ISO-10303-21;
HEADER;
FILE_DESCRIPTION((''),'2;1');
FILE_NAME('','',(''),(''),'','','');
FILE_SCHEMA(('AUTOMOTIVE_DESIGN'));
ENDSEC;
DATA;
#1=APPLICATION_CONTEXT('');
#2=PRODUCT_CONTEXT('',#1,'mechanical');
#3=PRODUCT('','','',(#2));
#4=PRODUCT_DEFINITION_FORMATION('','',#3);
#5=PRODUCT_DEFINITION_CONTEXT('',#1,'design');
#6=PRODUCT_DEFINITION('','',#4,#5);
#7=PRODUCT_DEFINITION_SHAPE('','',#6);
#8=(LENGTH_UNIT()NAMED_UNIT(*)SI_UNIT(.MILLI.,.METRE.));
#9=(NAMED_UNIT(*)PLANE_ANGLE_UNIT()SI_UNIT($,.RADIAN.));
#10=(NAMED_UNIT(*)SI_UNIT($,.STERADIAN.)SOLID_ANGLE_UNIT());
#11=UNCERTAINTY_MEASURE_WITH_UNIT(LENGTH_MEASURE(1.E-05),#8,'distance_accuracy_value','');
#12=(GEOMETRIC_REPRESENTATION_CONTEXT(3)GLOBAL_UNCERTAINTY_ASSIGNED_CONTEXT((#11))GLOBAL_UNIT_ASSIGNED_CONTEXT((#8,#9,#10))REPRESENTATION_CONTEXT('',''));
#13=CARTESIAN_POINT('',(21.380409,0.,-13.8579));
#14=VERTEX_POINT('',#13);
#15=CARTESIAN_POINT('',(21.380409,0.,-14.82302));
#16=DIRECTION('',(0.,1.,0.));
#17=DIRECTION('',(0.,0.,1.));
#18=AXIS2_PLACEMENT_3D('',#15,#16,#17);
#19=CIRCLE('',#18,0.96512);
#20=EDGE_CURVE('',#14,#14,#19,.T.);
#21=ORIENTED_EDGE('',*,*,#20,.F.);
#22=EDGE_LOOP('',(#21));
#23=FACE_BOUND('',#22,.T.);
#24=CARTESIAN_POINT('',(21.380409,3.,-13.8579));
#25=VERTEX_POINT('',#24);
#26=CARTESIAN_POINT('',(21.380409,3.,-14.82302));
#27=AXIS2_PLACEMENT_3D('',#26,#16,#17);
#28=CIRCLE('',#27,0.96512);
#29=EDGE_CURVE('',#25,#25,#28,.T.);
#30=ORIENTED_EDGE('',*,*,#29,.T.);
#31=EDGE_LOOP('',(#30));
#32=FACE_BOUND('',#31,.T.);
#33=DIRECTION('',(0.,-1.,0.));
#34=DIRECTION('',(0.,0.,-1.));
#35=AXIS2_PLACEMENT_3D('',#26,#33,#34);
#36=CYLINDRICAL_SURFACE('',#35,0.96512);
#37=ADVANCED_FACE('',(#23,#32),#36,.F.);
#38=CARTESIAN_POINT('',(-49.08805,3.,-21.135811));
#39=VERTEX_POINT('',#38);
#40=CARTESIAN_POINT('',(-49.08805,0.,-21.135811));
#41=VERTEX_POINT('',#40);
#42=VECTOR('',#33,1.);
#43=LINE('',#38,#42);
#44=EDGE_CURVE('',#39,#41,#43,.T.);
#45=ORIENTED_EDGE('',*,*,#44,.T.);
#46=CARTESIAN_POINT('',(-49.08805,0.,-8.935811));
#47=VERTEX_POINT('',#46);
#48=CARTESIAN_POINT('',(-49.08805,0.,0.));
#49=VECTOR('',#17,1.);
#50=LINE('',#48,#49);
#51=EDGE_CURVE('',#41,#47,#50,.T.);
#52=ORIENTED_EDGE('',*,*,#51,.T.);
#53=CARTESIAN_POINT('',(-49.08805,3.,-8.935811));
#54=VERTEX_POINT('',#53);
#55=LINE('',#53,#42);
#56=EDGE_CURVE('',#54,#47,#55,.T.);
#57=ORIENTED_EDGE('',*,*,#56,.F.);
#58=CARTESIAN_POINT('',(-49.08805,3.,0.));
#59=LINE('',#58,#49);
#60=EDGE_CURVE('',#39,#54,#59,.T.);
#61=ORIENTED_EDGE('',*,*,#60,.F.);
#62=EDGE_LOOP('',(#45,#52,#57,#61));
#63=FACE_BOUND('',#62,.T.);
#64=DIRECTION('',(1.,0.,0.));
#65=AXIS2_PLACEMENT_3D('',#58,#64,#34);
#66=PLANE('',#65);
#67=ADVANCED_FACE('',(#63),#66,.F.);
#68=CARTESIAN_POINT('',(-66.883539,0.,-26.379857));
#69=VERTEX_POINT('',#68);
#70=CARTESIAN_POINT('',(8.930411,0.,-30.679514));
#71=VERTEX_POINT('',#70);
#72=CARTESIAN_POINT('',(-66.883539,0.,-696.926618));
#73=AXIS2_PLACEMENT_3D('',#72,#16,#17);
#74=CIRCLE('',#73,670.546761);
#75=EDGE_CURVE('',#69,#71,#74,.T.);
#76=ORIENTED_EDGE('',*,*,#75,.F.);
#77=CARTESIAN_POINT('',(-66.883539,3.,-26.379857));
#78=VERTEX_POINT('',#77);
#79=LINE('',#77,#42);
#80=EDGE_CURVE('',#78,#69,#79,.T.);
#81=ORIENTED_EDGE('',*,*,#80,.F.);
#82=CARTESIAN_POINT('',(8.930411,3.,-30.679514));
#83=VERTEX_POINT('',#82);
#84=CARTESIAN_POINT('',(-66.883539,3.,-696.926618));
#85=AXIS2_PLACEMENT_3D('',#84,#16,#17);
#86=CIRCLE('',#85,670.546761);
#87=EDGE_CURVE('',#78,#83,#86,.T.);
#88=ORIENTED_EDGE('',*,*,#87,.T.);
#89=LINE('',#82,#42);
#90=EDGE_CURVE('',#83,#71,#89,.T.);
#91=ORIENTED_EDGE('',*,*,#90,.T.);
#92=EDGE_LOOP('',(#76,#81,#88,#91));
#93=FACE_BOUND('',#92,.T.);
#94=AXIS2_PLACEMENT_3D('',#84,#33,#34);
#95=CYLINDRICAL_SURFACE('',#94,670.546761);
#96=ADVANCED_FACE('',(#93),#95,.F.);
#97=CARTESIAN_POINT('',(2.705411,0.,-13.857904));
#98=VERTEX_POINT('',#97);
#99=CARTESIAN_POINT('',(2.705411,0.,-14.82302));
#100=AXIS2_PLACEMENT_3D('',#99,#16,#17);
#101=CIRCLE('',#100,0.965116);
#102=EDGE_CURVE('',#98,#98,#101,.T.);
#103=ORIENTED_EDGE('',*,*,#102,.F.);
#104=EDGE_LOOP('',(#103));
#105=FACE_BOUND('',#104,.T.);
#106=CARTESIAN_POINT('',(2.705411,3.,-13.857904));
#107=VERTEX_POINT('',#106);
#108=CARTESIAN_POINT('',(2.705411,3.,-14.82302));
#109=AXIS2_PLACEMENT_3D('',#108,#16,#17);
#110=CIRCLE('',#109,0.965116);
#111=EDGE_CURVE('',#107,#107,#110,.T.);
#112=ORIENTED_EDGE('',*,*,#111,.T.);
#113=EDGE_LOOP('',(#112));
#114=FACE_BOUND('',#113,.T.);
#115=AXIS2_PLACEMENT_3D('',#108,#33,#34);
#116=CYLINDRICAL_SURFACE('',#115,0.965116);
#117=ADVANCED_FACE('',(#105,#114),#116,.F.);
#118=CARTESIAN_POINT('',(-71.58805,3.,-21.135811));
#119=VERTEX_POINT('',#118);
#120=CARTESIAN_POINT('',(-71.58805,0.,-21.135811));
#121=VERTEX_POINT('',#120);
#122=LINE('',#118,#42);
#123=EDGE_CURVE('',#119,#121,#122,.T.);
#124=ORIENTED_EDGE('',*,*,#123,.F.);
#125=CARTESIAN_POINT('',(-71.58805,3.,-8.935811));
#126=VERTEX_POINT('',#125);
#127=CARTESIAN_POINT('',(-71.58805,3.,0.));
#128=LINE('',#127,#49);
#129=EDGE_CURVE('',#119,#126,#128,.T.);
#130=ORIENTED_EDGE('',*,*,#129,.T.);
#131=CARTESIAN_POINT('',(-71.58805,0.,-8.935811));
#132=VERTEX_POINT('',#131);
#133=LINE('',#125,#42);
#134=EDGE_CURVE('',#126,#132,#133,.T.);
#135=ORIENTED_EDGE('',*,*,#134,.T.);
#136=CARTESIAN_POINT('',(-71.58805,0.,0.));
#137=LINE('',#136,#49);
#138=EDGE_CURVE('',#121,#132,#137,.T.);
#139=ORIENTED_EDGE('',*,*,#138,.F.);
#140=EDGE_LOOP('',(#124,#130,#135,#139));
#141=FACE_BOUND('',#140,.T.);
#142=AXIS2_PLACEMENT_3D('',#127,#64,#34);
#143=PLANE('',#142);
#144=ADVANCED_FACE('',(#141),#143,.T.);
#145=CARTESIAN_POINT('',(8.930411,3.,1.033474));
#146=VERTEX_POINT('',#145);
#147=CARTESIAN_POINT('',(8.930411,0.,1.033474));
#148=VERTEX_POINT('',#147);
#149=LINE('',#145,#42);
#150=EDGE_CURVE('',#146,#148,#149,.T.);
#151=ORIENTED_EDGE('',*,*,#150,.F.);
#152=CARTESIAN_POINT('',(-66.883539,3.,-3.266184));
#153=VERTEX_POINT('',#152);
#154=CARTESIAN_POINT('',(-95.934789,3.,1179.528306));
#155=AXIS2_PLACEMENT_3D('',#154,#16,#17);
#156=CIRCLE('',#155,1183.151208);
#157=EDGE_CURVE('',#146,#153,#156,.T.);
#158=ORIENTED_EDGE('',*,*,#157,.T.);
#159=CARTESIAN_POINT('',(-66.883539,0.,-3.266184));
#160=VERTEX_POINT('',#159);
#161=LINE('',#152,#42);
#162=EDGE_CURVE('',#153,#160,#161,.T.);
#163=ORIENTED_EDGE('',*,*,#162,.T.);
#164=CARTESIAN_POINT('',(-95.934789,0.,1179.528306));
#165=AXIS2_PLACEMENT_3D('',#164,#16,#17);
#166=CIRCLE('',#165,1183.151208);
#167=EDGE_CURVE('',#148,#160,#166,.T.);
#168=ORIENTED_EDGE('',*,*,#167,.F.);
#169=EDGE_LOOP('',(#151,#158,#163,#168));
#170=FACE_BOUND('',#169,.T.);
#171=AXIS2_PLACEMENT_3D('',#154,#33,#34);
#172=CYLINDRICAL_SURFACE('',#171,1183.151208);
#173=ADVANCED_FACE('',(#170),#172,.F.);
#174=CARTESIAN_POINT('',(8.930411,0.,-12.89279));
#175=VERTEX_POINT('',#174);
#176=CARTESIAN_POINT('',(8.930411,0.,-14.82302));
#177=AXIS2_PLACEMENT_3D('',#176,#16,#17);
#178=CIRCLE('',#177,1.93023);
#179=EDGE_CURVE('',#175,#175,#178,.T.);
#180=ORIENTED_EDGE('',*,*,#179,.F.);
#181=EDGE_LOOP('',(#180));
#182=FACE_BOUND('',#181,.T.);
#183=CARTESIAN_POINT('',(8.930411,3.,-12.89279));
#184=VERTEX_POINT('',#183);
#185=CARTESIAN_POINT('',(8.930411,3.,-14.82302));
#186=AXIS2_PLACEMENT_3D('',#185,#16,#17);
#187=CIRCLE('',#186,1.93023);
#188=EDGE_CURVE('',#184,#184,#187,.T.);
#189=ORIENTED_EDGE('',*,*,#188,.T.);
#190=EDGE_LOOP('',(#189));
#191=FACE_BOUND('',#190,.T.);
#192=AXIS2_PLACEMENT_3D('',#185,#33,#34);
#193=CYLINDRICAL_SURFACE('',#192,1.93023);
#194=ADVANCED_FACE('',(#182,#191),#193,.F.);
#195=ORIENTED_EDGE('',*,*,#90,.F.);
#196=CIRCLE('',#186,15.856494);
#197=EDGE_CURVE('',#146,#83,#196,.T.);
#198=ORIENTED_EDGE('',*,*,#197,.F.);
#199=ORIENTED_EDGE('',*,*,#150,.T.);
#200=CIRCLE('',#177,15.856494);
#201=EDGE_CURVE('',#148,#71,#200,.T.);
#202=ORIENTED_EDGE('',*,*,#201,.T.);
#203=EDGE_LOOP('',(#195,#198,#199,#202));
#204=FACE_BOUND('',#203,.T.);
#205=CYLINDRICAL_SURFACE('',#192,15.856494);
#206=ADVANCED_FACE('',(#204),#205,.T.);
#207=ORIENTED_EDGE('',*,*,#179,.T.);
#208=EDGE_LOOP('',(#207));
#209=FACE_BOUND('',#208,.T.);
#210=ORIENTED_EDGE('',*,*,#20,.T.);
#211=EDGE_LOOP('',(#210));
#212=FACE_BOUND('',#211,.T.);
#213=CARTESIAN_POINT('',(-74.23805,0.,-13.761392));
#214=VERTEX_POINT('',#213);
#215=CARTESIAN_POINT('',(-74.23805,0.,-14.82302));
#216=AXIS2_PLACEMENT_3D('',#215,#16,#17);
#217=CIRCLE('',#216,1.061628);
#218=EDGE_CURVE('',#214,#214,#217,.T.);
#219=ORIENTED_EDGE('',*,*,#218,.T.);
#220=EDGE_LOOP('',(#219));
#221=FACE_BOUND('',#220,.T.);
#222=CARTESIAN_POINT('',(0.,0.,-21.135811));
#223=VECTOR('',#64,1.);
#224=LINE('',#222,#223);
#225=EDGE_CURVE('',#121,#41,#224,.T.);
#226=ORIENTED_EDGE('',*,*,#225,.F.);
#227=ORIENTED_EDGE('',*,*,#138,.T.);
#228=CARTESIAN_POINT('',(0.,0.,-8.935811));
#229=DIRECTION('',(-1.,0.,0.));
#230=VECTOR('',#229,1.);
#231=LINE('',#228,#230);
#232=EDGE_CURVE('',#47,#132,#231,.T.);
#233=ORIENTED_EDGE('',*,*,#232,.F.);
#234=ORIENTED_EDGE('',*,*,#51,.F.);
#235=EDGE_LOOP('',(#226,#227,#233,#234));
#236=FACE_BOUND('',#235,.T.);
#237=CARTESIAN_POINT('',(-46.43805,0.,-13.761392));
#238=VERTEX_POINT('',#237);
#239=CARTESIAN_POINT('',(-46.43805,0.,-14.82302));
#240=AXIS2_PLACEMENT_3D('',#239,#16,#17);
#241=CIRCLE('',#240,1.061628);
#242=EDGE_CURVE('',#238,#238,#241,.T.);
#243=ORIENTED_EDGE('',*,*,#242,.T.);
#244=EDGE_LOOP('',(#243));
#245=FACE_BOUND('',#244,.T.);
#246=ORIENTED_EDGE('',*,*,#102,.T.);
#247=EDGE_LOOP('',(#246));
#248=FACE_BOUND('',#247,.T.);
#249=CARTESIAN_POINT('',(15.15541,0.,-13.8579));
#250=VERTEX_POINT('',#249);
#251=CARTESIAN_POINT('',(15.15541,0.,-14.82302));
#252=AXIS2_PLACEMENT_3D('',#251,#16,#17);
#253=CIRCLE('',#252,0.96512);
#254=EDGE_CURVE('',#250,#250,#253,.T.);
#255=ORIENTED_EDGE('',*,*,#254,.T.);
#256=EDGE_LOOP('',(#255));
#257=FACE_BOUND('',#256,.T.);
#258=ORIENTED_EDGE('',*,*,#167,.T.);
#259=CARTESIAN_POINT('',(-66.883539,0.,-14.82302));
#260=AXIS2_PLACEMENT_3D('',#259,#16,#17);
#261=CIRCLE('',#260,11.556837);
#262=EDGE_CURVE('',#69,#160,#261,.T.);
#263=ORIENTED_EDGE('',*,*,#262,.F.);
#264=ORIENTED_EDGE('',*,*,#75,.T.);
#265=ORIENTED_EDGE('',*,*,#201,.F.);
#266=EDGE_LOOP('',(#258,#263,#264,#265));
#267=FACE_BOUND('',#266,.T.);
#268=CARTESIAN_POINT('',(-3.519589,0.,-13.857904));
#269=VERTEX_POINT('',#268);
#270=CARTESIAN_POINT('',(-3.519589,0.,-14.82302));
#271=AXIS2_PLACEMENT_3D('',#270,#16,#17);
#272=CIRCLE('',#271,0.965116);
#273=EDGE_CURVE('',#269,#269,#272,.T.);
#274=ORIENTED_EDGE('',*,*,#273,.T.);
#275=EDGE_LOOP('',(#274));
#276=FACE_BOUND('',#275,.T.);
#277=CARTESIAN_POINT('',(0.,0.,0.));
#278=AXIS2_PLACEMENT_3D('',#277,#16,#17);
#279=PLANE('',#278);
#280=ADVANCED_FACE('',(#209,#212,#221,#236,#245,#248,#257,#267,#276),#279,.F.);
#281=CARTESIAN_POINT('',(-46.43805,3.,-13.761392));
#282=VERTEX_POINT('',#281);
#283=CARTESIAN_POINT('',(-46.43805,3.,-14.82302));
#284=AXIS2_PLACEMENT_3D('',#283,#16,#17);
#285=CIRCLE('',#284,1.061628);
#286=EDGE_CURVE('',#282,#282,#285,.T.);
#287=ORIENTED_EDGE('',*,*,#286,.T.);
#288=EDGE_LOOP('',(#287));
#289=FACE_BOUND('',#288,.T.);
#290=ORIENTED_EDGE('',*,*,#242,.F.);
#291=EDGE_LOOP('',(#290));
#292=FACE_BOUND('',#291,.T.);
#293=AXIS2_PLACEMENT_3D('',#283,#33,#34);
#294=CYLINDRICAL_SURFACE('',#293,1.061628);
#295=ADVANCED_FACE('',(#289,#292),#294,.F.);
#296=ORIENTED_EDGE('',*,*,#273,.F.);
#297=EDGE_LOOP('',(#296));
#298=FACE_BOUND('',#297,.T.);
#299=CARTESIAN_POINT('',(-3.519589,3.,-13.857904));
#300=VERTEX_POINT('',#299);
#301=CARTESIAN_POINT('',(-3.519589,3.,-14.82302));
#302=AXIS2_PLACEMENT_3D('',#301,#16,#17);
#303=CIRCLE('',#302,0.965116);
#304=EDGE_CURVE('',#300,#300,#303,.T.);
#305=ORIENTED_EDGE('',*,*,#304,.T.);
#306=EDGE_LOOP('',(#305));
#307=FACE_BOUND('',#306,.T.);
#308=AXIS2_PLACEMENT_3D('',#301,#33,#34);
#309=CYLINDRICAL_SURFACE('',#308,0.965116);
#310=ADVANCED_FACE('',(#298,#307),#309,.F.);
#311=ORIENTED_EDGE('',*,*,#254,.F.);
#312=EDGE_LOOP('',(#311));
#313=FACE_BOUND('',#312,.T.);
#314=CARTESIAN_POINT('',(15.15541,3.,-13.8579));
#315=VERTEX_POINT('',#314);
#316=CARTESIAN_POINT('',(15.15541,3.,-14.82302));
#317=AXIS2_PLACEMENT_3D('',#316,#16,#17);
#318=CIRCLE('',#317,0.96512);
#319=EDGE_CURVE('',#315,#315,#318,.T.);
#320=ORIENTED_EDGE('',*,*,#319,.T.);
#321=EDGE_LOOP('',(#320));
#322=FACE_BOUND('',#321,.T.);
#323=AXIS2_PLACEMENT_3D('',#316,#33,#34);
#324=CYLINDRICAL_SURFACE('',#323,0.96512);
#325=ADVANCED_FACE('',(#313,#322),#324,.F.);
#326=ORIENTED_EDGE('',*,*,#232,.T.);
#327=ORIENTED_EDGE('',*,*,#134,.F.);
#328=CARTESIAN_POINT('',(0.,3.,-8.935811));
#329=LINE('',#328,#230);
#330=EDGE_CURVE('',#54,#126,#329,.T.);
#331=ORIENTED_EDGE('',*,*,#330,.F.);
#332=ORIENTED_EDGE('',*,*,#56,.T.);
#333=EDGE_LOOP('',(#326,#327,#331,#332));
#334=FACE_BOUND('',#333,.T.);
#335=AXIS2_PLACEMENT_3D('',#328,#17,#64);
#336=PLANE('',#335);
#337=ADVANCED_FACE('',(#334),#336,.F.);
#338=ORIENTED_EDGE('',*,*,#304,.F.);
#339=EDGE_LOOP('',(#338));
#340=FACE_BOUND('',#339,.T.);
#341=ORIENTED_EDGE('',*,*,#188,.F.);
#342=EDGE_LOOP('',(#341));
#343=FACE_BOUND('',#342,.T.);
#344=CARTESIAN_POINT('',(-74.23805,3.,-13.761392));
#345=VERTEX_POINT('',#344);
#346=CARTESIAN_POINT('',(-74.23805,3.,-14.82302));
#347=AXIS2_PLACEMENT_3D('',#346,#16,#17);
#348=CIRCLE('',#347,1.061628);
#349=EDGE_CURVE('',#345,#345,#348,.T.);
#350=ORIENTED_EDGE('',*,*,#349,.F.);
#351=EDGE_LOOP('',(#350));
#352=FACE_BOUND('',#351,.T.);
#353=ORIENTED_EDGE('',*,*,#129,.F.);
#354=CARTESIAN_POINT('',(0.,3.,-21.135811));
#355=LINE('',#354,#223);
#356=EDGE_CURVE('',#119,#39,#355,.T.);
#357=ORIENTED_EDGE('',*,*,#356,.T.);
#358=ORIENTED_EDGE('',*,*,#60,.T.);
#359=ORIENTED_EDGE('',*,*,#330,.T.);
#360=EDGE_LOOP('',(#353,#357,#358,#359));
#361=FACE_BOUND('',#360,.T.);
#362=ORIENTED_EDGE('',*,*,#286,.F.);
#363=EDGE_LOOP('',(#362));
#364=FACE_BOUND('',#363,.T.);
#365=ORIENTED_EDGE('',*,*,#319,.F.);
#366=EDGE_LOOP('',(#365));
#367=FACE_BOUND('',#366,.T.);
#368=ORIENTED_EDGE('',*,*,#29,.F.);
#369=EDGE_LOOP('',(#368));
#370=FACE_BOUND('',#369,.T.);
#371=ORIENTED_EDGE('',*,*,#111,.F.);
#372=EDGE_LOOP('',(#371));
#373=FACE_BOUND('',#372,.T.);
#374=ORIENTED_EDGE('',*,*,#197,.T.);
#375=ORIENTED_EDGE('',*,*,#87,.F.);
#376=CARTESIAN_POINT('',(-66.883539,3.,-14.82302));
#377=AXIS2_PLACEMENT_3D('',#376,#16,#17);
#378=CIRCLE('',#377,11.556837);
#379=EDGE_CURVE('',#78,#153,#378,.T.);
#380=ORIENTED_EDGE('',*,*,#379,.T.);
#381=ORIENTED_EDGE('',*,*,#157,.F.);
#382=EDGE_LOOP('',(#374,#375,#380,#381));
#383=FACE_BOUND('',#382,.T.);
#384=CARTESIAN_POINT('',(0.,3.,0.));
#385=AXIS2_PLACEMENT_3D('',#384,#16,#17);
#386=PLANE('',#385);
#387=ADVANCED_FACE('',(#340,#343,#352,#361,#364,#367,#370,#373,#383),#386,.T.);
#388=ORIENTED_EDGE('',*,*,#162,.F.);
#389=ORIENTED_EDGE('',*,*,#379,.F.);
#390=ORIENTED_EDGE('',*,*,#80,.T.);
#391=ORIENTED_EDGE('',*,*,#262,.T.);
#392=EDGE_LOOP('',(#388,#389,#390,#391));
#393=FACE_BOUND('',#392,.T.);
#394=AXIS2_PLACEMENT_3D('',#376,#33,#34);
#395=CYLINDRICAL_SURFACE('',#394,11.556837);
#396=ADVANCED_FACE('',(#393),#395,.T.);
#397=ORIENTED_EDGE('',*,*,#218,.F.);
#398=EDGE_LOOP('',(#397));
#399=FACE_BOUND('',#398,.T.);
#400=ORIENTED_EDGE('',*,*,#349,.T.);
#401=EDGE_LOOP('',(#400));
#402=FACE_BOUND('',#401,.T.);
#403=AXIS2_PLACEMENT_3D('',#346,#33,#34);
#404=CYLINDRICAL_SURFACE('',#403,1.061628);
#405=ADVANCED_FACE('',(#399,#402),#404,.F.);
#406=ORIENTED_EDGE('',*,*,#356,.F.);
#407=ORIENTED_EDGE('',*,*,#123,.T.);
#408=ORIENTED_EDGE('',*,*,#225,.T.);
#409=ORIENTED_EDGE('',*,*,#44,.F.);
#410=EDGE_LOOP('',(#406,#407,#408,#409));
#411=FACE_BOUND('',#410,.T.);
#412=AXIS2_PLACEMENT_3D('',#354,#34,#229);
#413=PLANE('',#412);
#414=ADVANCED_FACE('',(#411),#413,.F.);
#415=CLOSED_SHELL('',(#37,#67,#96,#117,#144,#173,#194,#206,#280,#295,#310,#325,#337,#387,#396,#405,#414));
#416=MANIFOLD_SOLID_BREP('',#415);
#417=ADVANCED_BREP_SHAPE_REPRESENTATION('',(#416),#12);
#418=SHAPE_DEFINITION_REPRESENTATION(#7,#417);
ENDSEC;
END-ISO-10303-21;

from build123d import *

# Parameters (mm, degrees)
SKETCH1_R           = 1.93023
SKETCH1_R_2         = 1.061627907
SKETCH1_R_3         = 0.965116279
SKETCH1_R_4         = 0.96512
SKETCH1_W           = 22.5
SKETCH1_H           = 12.2
BOSS_EXTRUDE1_DEPTH = 3


with BuildPart() as part:
    # Sketch1 → Boss-Extrude1 (new body)
    with BuildSketch(Plane(origin=(0, 0, 0), x_dir=(1, 0, 0), z_dir=(0, 1, 0))):
        with BuildLine():
            ThreePointArc((-66.883539, 26.379856778), (-78.440375529, 14.823020249), (-66.883539, 3.26618372))
            ThreePointArc((-66.883539, 3.26618372), (-28.9420606, 1.724738168), (8.930411, -1.033473673))
            ThreePointArc((8.930411, -1.033473673), (24.786904692, 14.823020019), (8.930411, 30.679513711))
            ThreePointArc((8.930411, 30.679513711), (-28.915651041, 27.455633961), (-66.883539, 26.379856778))
        make_face()
        with Locations((8.930411, 14.823020019)):
            Circle(SKETCH1_R, mode=Mode.SUBTRACT)
        with Locations((-74.238049948, 14.823020249)):
            Circle(SKETCH1_R_2, mode=Mode.SUBTRACT)
        with Locations((-46.438049948, 14.823020249)):
            Circle(SKETCH1_R_2, mode=Mode.SUBTRACT)
        with Locations((2.705411, 14.823020019)):
            Circle(SKETCH1_R_3, mode=Mode.SUBTRACT)
        with Locations((-3.519589, 14.823020019)):
            Circle(SKETCH1_R_3, mode=Mode.SUBTRACT)
        with Locations((15.15541, 14.82302)):
            Circle(SKETCH1_R_4, mode=Mode.SUBTRACT)
        with Locations((21.380409, 14.823020019)):
            Circle(SKETCH1_R_4, mode=Mode.SUBTRACT)
        with Locations((-60.338049948, 15.035810946)):
            Rectangle(SKETCH1_W, SKETCH1_H, mode=Mode.SUBTRACT)
    extrude(amount=BOSS_EXTRUDE1_DEPTH)


solid = part.part
